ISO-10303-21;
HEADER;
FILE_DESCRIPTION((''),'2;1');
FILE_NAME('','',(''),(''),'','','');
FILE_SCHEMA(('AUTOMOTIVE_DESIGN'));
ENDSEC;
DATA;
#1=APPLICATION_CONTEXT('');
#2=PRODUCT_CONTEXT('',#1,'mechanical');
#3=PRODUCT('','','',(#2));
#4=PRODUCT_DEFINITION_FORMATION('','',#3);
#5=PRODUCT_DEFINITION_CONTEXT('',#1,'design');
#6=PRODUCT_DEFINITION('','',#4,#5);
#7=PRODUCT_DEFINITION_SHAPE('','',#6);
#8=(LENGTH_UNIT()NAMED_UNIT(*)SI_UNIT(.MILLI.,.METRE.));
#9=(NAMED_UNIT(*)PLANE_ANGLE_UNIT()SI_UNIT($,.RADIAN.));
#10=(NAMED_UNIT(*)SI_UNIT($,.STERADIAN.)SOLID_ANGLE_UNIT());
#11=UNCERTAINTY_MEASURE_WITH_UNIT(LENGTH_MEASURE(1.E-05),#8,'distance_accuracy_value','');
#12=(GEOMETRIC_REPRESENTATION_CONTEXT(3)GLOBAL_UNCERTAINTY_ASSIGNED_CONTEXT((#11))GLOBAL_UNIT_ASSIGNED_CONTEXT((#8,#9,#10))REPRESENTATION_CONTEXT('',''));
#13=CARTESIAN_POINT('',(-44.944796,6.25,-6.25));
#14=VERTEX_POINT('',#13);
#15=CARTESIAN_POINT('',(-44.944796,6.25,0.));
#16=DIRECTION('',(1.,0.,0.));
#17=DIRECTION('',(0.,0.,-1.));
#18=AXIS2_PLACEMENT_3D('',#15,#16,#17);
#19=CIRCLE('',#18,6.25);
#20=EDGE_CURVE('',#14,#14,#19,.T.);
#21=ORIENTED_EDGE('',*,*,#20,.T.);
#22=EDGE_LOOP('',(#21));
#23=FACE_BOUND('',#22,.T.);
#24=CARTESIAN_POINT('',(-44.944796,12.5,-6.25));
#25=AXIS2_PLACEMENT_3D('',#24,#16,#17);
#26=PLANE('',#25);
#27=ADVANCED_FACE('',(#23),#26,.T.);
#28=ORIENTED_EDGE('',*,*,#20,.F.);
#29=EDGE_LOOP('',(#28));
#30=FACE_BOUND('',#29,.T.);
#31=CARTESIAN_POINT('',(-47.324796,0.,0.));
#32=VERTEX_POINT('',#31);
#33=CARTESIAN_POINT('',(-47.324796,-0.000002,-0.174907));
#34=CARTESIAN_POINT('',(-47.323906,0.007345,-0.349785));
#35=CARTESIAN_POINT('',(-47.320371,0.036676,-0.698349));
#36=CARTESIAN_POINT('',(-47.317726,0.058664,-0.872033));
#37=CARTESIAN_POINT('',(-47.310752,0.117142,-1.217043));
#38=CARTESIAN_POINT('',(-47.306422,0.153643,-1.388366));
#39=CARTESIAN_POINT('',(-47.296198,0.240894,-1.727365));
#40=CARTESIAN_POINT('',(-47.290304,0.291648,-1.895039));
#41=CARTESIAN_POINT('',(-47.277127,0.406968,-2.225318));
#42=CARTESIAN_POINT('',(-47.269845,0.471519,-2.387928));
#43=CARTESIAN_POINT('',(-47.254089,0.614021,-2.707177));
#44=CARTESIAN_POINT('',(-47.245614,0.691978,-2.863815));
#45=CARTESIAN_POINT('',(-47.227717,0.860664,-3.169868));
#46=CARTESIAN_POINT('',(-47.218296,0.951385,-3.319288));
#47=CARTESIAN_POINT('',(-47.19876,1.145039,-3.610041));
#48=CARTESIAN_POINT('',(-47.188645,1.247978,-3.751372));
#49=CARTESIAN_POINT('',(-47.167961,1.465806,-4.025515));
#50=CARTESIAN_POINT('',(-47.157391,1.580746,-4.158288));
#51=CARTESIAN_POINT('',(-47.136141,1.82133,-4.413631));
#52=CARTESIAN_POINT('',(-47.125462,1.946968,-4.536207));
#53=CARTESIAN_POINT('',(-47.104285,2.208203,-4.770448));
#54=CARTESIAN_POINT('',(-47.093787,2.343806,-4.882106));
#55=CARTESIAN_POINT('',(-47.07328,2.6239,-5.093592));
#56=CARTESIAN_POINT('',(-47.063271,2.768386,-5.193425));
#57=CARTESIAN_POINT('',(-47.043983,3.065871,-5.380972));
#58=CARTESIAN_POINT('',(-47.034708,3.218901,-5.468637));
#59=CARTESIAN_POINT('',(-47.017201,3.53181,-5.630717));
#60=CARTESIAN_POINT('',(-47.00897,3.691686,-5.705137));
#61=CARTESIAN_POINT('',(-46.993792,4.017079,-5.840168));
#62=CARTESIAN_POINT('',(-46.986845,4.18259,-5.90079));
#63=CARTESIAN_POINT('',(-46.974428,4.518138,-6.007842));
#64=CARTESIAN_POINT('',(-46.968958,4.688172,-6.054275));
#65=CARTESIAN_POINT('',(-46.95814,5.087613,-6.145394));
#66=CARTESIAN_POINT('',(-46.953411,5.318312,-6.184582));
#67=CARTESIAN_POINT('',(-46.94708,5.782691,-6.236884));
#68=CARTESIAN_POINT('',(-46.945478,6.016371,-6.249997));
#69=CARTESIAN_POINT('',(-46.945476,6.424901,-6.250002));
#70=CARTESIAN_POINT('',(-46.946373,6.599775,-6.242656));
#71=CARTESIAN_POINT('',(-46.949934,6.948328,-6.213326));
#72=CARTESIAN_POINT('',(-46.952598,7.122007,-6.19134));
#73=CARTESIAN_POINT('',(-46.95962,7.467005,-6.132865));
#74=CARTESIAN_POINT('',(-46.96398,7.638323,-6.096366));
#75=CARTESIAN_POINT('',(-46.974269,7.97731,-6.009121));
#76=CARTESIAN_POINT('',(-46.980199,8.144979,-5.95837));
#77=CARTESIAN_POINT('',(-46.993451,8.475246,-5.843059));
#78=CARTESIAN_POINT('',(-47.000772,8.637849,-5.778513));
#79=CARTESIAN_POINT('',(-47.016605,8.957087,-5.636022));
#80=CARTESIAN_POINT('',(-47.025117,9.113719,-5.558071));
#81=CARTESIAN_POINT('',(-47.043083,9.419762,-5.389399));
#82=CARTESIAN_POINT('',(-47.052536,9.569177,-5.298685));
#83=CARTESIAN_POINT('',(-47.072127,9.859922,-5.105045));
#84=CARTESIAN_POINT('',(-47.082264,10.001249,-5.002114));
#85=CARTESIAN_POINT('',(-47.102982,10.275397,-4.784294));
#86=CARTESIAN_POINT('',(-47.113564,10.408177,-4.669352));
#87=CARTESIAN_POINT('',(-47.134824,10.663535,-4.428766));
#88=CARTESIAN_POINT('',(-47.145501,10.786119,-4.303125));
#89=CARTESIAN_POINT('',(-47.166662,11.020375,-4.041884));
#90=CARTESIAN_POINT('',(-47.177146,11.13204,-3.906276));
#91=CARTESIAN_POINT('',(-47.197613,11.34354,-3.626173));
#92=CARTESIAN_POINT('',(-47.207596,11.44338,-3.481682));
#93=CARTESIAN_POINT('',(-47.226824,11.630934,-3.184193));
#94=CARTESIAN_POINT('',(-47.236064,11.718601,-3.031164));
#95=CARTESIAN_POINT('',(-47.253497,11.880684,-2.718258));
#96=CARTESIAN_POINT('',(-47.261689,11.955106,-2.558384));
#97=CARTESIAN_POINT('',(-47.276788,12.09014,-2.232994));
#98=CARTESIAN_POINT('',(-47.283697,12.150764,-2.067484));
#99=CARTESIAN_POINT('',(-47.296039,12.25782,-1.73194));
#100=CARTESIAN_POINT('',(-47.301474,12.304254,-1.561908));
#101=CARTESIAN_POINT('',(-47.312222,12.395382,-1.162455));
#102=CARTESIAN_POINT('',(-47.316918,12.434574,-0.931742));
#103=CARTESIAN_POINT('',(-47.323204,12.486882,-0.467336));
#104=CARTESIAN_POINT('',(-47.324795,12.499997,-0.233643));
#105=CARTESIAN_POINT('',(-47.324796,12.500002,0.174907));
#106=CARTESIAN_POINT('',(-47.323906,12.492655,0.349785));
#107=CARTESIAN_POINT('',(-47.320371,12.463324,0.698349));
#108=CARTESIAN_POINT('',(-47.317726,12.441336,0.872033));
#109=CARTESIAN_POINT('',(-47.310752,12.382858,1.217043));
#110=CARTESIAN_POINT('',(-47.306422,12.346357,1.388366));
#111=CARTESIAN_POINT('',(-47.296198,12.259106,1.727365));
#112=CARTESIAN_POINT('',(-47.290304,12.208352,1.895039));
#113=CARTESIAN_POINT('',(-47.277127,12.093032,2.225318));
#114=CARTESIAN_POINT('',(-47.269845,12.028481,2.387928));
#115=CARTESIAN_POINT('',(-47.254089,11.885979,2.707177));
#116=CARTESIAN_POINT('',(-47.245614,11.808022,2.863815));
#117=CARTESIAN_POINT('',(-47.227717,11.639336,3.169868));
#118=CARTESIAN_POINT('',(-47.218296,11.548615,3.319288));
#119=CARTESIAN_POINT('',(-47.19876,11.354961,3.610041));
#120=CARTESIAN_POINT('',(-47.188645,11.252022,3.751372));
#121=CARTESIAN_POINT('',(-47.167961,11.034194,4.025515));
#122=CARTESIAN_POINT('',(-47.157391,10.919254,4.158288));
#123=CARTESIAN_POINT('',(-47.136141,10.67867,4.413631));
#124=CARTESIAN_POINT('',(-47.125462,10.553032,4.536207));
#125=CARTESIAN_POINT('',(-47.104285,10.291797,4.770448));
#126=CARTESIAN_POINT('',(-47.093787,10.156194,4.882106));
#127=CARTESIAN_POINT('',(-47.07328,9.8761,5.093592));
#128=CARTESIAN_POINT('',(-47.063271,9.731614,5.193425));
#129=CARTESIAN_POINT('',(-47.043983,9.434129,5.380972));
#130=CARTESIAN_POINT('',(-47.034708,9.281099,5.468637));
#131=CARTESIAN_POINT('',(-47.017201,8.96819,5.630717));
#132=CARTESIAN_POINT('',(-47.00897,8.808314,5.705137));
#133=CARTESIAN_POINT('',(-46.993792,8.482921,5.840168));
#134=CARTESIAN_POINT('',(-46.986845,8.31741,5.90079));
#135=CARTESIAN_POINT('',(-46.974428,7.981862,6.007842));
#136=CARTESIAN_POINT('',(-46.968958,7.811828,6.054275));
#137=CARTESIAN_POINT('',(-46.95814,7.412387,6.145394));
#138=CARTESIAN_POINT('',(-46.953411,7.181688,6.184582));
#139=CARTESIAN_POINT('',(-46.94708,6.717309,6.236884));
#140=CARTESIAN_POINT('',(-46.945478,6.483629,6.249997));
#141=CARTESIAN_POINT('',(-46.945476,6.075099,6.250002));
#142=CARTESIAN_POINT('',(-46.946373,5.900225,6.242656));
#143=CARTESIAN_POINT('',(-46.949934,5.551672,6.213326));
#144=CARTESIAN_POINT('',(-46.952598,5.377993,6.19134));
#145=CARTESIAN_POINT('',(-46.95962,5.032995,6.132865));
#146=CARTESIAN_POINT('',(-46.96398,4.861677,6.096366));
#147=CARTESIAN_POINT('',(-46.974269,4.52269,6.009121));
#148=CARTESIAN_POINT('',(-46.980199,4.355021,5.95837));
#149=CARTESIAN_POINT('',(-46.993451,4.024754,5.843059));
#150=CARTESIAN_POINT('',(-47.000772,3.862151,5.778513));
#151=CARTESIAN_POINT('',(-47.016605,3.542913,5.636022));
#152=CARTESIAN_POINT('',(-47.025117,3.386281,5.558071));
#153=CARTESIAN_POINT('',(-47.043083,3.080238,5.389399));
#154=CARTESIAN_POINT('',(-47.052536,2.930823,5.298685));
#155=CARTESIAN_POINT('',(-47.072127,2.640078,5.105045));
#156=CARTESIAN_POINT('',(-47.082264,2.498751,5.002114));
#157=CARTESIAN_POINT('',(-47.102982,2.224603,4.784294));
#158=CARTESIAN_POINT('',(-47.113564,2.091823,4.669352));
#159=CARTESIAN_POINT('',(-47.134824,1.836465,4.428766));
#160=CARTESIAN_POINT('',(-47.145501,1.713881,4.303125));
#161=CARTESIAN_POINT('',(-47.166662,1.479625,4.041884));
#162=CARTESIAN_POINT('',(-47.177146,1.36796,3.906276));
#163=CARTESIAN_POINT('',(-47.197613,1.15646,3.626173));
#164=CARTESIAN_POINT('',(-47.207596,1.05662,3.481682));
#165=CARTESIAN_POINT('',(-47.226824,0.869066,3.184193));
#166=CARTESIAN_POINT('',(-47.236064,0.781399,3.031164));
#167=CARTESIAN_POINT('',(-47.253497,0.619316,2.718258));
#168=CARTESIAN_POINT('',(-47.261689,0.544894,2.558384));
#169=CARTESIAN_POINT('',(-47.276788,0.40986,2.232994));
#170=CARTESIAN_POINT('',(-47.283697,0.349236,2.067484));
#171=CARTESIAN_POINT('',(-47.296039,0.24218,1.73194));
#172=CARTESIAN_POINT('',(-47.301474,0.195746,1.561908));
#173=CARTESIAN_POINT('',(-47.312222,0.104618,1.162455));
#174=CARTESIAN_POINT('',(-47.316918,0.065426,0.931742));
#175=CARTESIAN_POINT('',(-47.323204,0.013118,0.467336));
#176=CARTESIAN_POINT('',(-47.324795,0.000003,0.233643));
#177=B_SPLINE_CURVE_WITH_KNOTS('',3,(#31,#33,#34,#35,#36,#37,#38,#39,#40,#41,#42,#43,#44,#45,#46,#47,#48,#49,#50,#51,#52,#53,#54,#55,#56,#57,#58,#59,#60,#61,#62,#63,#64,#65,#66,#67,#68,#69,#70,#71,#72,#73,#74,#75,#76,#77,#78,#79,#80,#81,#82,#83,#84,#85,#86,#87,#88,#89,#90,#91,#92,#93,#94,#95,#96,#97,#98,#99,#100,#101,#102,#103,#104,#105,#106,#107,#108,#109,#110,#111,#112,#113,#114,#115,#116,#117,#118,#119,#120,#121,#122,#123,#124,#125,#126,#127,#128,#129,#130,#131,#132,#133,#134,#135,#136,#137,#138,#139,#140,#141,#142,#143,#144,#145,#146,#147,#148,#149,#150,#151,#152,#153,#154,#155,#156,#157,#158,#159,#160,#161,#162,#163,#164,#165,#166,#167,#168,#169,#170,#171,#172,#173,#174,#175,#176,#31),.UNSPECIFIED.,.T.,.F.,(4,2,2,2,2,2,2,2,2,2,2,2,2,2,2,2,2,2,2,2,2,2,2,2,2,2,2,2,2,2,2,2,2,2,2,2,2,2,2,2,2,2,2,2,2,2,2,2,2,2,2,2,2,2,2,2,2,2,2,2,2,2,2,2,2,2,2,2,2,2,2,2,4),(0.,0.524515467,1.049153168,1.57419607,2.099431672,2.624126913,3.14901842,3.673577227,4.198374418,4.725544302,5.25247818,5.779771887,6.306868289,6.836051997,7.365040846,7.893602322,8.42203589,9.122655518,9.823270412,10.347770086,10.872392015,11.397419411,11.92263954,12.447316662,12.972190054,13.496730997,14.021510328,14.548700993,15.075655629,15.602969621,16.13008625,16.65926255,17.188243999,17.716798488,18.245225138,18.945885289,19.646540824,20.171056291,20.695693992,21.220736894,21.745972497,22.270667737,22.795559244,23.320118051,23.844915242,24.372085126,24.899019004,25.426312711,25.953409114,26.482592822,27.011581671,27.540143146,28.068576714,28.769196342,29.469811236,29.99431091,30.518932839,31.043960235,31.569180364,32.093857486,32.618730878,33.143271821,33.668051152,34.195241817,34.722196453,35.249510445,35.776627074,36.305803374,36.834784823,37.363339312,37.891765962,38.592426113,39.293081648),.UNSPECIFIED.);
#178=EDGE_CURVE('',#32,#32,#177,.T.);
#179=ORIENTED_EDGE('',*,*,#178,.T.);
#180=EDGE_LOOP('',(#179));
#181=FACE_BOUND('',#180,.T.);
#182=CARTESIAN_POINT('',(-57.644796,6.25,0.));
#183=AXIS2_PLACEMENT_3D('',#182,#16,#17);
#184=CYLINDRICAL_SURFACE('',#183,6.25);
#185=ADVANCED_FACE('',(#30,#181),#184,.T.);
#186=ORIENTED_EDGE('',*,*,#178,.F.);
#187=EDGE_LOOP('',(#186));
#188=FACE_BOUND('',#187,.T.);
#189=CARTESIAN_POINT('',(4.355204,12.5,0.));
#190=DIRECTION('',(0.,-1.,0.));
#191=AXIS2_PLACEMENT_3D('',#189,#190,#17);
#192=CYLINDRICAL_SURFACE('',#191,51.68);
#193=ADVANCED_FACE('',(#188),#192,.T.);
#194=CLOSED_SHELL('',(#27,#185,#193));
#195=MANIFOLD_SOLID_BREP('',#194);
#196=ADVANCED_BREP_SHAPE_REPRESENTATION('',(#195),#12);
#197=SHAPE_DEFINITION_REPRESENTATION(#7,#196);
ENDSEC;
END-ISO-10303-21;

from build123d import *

# Parameters (mm, degrees)
EXTRUDE_1_DEPTH     = 12.5
CUT_EXTRUDE_8_DEPTH = 12.7


with BuildPart() as part:
    # 草图1 → 凸台-拉伸1 (new body)
    with BuildSketch(Plane(origin=(0, 0, 0), x_dir=(1, 0, 0), z_dir=(0, 1, 0))):
        with BuildLine():
            Line((-46.945476947, 6.25), (-44.944795665, 6.25))
            Line((-44.944795665, 6.25), (-44.944795665, -6.25))
            Line((-44.944795665, -6.25), (-46.945476947, -6.25))
            ThreePointArc((-46.945476947, -6.25), (-47.324795665, 0), (-46.945476947, 6.25))
        make_face()
    extrude(amount=EXTRUDE_1_DEPTH)

    # 草图2 → 切除-拉伸8 (cut)
    with BuildSketch(Plane(origin=(-44.944795665, 0, 0), x_dir=(0, 0, -1), z_dir=(1, 0, 0))):
        with BuildLine():
            Line((-6.25, 12.5), (-6.25, 6.25))
            ThreePointArc((-6.25, 6.25), (-4.419417382, 10.669417382), (0, 12.5))
            Line((0, 12.5), (-6.25, 12.5))
        make_face()
        with BuildLine():
            ThreePointArc((0, 12.5), (4.419417382, 10.669417382), (6.25, 6.25))
            Line((6.25, 6.25), (6.25, 12.5))
            Line((6.25, 12.5), (0, 12.5))
        make_face()
        with BuildLine():
            ThreePointArc((6.25, 6.25), (4.419417382, 1.830582618), (0, 0))
            Line((0, 0), (6.25, 0))
            Line((6.25, 0), (6.25, 6.25))
        make_face()
        with BuildLine():
            Line((-6.25, 6.25), (-6.25, 0))
            Line((-6.25, 0), (0, 0))
            ThreePointArc((0, 0), (-4.419417382, 1.830582618), (-6.25, 6.25))
        make_face()
    extrude(amount=-CUT_EXTRUDE_8_DEPTH, mode=Mode.SUBTRACT)


solid = part.part
